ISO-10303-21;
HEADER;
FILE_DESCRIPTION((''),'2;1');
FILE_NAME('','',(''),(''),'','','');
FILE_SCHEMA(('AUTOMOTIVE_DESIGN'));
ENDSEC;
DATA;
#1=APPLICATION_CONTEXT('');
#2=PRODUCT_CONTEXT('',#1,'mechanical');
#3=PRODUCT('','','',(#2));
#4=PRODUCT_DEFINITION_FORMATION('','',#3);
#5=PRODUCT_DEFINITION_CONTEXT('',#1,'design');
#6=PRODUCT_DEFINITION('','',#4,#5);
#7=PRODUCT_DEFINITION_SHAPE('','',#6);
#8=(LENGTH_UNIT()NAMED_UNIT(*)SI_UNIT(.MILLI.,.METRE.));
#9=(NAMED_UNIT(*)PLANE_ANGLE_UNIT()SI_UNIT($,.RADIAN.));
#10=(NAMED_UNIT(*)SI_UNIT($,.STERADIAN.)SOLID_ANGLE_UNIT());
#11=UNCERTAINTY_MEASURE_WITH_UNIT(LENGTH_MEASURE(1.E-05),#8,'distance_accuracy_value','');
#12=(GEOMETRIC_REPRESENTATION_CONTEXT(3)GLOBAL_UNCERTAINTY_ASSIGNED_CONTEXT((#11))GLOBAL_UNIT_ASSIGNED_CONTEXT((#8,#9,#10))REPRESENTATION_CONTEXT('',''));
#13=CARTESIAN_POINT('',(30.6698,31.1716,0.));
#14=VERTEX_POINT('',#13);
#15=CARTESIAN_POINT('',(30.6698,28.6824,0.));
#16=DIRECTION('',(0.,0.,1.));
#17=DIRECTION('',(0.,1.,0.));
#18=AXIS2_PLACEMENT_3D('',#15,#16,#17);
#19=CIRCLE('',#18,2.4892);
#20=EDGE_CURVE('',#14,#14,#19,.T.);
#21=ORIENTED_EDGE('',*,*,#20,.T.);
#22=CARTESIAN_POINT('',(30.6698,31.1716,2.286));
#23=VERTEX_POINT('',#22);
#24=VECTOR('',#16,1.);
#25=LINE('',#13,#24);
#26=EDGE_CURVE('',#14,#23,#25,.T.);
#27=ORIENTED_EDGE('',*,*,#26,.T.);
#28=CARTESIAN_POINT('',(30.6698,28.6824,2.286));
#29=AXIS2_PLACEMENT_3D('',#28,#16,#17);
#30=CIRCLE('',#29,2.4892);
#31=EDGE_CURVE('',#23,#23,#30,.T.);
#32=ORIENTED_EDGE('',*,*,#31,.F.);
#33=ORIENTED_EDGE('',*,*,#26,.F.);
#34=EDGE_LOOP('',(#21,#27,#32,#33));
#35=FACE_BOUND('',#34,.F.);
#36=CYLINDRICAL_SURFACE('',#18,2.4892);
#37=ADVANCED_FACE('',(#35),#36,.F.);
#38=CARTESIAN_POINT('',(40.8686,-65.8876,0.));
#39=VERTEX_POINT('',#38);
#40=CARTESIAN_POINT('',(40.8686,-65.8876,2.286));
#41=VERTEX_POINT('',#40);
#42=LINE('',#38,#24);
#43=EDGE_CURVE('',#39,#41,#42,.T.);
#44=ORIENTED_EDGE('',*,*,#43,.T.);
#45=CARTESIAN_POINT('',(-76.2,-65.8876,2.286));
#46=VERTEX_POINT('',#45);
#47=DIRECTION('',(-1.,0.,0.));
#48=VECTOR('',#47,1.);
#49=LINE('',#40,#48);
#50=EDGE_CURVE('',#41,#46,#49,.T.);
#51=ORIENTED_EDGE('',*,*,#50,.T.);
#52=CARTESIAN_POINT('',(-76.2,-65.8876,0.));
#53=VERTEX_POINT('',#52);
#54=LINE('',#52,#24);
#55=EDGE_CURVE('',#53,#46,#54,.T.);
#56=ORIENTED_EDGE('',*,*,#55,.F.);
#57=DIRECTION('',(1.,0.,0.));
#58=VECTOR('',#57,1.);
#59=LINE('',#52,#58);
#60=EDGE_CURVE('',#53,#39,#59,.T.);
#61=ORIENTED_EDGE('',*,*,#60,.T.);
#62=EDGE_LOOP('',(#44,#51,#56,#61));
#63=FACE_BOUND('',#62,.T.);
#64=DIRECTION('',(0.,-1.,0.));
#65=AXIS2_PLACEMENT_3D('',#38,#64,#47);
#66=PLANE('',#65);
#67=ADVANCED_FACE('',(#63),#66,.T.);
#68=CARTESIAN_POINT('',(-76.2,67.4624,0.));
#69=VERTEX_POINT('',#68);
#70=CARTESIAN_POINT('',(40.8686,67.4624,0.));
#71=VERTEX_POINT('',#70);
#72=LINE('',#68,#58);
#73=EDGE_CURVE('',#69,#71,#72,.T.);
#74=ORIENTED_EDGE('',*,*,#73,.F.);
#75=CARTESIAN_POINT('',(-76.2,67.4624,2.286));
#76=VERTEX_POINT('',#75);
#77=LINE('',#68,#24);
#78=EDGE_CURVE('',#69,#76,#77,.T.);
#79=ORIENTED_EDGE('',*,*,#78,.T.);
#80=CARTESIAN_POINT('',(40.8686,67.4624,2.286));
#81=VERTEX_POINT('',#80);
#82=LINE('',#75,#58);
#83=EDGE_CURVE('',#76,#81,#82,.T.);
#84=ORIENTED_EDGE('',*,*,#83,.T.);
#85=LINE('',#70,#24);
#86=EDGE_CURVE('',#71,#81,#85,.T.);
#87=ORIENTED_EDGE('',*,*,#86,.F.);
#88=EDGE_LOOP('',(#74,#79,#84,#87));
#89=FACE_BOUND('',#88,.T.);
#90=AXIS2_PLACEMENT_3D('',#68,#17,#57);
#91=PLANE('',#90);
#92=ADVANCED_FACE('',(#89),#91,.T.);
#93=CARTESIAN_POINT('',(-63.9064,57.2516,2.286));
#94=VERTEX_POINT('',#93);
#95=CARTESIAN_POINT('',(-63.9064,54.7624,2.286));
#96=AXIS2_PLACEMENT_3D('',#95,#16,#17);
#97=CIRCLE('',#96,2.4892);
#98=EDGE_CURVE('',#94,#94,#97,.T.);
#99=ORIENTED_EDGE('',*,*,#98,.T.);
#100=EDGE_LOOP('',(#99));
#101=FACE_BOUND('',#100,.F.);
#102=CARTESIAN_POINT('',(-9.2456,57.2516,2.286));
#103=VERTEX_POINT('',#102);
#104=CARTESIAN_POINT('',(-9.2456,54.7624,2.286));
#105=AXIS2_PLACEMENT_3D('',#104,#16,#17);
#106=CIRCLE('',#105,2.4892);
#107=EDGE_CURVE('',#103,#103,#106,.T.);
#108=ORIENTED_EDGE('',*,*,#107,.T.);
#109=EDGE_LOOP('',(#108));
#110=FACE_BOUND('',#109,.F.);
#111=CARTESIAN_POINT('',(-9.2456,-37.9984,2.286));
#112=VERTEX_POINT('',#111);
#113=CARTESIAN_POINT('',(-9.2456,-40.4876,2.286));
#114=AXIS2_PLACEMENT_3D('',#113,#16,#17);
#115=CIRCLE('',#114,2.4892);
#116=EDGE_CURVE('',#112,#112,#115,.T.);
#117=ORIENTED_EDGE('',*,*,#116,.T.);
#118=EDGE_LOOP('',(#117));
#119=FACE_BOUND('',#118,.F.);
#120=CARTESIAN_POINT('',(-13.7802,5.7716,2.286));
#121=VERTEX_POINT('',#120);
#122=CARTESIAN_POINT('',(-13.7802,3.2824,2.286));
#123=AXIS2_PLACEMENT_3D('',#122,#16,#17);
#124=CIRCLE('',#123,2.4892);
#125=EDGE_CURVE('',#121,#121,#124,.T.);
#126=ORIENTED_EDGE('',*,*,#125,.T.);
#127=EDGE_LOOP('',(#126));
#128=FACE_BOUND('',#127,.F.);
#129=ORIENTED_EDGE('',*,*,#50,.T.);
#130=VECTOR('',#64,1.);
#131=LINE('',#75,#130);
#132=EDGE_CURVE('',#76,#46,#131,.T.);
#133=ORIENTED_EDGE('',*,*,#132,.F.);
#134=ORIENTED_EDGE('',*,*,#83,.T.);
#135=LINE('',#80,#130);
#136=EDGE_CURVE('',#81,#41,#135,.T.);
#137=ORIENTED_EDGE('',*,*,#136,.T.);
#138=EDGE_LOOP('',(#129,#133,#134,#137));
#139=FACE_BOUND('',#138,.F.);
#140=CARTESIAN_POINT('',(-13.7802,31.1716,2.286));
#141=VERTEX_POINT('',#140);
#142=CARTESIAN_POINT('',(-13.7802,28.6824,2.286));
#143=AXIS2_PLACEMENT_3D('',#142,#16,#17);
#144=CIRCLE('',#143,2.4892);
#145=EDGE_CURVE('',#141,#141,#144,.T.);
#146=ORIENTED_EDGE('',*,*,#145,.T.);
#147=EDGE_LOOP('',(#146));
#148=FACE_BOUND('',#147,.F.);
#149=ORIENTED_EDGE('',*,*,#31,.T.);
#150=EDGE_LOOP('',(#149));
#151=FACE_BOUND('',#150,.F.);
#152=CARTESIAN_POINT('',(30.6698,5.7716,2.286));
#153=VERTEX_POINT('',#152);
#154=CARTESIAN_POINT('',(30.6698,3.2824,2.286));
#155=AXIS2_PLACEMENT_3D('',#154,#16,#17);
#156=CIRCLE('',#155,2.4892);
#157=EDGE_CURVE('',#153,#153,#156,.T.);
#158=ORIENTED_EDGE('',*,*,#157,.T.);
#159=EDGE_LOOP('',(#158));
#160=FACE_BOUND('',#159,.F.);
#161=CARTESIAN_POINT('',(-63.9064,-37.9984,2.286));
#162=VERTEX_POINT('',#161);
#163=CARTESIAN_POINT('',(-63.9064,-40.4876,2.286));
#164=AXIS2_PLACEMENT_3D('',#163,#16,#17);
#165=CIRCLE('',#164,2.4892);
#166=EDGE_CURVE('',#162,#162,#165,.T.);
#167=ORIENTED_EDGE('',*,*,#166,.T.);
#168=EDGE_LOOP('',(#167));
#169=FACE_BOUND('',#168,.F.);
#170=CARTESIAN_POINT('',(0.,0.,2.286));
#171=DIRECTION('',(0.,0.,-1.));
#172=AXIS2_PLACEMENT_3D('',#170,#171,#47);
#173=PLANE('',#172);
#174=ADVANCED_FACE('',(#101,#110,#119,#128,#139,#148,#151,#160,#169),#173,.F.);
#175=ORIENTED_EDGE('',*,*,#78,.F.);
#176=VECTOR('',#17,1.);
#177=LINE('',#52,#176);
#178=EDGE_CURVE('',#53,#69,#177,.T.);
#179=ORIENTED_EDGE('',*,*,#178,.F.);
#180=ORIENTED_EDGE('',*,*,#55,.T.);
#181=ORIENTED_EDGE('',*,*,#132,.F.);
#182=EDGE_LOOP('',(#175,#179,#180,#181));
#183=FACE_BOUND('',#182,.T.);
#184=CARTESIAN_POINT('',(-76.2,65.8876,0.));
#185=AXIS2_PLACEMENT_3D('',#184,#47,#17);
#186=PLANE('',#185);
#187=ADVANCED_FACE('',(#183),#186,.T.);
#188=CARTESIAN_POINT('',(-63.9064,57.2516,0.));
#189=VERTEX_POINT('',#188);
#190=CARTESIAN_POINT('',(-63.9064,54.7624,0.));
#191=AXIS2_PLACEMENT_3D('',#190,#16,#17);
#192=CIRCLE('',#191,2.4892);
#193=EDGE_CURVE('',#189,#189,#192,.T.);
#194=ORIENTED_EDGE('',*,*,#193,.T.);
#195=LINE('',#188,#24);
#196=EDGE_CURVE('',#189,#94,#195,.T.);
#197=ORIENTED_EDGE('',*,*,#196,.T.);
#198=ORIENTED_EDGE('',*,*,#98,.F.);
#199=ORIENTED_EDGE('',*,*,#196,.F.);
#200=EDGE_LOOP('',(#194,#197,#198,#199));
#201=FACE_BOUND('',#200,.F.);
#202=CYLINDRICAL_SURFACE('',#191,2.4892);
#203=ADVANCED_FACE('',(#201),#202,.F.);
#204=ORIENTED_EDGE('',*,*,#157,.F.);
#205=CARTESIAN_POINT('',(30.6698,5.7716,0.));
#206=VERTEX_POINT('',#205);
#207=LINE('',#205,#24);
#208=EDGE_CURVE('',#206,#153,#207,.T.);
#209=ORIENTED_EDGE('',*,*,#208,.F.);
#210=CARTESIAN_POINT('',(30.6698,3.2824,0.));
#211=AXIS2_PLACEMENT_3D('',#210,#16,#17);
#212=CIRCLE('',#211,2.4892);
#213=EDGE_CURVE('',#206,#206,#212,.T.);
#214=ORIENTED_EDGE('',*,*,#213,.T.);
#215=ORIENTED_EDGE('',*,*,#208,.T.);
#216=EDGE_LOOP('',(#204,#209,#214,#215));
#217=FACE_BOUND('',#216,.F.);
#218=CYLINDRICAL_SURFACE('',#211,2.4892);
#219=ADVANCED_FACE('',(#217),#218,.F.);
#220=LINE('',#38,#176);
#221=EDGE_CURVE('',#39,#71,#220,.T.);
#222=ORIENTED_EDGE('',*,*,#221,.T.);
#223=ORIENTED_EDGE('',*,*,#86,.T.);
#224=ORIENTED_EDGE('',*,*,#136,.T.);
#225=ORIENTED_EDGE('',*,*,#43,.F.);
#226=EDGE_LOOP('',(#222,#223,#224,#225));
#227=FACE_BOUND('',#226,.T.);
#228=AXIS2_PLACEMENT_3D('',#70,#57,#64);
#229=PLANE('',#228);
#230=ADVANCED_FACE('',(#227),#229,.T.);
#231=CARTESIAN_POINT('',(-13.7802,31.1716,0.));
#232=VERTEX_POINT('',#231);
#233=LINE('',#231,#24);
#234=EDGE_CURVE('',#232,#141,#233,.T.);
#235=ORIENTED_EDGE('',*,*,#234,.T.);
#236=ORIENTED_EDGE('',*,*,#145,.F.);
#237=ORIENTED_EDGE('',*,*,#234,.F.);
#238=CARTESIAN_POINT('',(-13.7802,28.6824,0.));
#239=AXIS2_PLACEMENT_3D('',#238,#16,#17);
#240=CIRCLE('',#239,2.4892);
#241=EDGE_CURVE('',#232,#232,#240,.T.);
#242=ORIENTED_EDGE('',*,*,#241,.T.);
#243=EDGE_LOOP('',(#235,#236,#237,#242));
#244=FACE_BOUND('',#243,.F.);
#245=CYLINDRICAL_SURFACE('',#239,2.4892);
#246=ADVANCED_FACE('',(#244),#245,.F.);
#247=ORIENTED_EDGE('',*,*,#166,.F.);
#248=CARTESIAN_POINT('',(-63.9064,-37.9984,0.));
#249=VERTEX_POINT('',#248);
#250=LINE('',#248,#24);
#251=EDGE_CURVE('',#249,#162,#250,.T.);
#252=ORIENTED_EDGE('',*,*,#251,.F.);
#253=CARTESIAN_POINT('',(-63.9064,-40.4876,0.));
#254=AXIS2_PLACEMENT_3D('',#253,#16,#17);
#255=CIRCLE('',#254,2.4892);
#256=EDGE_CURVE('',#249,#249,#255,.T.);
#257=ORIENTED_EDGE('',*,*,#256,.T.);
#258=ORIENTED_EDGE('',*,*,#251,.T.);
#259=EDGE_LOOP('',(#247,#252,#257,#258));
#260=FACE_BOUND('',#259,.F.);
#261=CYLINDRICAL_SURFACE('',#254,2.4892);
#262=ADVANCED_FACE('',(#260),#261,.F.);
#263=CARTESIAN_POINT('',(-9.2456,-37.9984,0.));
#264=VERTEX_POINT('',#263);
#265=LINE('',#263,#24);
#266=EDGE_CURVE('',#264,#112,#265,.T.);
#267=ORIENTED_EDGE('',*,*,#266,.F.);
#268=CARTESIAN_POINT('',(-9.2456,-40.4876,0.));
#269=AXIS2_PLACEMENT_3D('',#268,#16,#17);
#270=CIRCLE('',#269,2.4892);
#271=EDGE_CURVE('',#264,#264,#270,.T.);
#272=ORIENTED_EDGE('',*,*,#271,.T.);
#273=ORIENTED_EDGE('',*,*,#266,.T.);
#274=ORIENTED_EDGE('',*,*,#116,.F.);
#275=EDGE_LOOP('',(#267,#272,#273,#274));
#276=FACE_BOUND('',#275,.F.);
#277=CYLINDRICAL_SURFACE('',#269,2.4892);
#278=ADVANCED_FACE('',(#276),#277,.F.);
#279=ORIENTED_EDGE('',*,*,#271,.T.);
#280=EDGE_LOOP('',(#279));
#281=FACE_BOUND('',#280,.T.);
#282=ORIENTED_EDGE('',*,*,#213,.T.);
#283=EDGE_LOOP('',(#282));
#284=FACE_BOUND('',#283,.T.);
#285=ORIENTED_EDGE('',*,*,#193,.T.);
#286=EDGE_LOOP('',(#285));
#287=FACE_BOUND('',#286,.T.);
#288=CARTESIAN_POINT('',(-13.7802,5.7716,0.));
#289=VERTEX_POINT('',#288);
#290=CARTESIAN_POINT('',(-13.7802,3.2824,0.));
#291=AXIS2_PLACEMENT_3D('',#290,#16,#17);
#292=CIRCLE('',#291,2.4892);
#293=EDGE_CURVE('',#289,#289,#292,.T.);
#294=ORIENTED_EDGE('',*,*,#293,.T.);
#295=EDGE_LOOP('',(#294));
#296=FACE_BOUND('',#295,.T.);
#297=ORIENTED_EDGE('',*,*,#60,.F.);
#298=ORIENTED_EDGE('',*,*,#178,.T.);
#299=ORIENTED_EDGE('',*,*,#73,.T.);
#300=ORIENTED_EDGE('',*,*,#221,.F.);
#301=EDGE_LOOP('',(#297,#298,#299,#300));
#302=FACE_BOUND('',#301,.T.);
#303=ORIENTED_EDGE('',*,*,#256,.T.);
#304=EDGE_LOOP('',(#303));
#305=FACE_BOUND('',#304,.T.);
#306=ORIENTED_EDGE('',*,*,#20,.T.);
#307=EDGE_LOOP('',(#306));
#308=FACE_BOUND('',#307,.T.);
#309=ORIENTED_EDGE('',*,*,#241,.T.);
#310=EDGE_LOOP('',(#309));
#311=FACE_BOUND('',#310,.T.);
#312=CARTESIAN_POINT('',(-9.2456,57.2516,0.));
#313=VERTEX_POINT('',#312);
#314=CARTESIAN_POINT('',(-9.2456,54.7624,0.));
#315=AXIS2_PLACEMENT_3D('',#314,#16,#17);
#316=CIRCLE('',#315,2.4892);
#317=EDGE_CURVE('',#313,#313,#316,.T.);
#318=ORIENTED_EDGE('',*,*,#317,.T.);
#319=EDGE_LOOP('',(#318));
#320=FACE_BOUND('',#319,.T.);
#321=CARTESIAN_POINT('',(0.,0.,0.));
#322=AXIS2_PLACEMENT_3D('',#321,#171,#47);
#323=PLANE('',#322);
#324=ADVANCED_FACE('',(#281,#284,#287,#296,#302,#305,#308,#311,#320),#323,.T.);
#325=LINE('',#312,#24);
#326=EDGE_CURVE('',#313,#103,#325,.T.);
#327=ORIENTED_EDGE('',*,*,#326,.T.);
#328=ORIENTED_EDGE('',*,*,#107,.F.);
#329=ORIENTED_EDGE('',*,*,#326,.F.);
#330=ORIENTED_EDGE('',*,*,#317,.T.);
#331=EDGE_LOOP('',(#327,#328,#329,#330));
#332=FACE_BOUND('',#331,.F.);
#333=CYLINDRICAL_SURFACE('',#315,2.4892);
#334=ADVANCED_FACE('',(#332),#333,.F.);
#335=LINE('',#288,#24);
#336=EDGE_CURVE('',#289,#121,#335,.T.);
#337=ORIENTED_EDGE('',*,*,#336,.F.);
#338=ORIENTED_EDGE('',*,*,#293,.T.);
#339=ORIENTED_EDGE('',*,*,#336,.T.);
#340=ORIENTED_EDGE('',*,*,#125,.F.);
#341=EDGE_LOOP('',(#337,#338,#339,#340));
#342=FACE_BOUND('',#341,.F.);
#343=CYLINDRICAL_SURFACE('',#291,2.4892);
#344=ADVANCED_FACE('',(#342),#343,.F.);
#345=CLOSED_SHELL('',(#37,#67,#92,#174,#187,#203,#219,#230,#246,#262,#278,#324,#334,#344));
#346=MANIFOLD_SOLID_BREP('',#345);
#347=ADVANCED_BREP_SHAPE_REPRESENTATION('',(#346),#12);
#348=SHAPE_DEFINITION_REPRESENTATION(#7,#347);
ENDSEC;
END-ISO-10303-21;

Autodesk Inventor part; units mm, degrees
ref_plane "YZ Plane" through (0, 0, 0) normal (1, 0, 0) x (0, 1, 0)
ref_plane "XZ Plane" through (0, 0, 0) normal (0, 1, 0) x (-1, 0, 0)
ref_plane "XY Plane" through (0, 0, 0) normal (0, 0, 1) x (1, 0, 0)
sketch "Sketch1" plane through (0, 0, 0) normal (0, 0, 1) x (1, 0, 0)
  line L0 (76.2, -65.8876) -> (-76.2, -65.8876)
  line L1 (-76.2, -65.8876) -> (-76.2, 65.8876)
  line L2 (-76.2, 65.8876) -> (40.8686, 65.8876)
  line L3 (76.2, 65.8876) -> (76.2, -65.8876)
  line L4 (76.2, -65.8876) -> (-76.2, 65.8876) construction
  line L5 (-76.2, -65.8876) -> (76.2, 65.8876) construction
  line L6 (-76.2, -65.8876) -> (-57.6516, -65.8876)
  line L7 (76.2, -65.8876) -> (57.6517, -65.8876)
  line L8 (40.8686, 65.8876) -> (40.8686, -65.8876)
  point P0 (0, 0)
  dimension "d10" = 131.7752
  dimension "d11" = 152.4
  dimension "d12" = 35.3314
extrude "Extrusion2" add sketch "Sketch1" along normal blind 2.286
sketch "Sketch2" plane through (0, 0, 0) normal (0, 0, -1) x (-1, 0, 0)
  circle A0 centre (13.7802, 28.6824) radius 2.0193 projected
  circle A1 centre (-30.6698, 28.6824) radius 2.0193 projected
  circle A2 centre (-30.6698, 3.2824) radius 2.0193 projected
  circle A3 centre (13.7802, 3.2824) radius 2.0193 projected
  point P0 (0, 0)
hole "Hole1" at (-13.7802, 3.2824, 0) at (30.6698, 3.2824, 0) at (30.6698, 28.6824, 0) at (-13.7802, 28.6824, 0) direction (0, 0, 1) diameter 4.9784 end through all clearance for "Flat Head Machine Screw (82)" size "#10" standard "Ansi Unified Screw Threads"
sketch "Sketch3" plane through (0, 0, 0) normal (0, 0, -1) x (-1, 0, 0)
  line L0 (-126.5936, 67.4624) -> (-126.5936, 42.0624) projected
  line L1 (-126.5936, 67.4624) -> (610.0064, 67.4624) projected
  line L2 (-126.5936, 42.0624) -> (610.0064, 42.0624) projected
  line L3 (-66.2686, -65.8876) -> (549.6814, -65.8876) projected
  line L4 (549.6814, -15.0876) -> (-66.2686, -15.0876) projected
  point P0 (0, 0)
  point P1 (63.9064, -40.4876)
  point P2 (9.2456, -40.4876)
  point P3 (63.9064, 54.7624)
  point P4 (9.2456, 54.7624)
  dimension "d21" = 190.5
  dimension "d22" = 0
  dimension "d23" = 25.4
  dimension "d24" = 12.7
  dimension "d25" = 25.4
  dimension "d26" = 12.7
  dimension "d27" = 135.8392
  dimension "d28" = 135.8392
hole "Hole2" at (-63.9064, -40.4876, 0) at (-9.2456, -40.4876, 0) at (-63.9064, 54.7624, 0) at (-9.2456, 54.7624, 0) direction (0, 0, 1) diameter 4.9784 end through all clearance for "Flat Head Machine Screw (82)" size "#10" standard "Ansi Unified Screw Threads"
sketch "Sketch4" plane through (0, 0, 0) normal (0, 0, -1) x (-1, 0, 0)
  line L0 (-40.8686, 65.8876) -> (76.2, 65.8876) projected
  line L1 (-40.8686, 65.8876) -> (76.2, 65.8876)
  line L2 (76.2, 65.8876) -> (76.2, 67.4624)
  line L3 (76.2, 67.4624) -> (-40.8686, 67.4624)
  line L4 (-40.8686, 67.4624) -> (-40.8686, 65.8876)
  line L5 (76.2, -65.8876) -> (76.2, 65.8876) projected
  point P0 (0, 0)
  dimension "d36" = 1.5748
extrude "Extrusion3" add sketch "Sketch4" against normal up to surface (2.286 mm away)
equation "\"d28\" = d27"
